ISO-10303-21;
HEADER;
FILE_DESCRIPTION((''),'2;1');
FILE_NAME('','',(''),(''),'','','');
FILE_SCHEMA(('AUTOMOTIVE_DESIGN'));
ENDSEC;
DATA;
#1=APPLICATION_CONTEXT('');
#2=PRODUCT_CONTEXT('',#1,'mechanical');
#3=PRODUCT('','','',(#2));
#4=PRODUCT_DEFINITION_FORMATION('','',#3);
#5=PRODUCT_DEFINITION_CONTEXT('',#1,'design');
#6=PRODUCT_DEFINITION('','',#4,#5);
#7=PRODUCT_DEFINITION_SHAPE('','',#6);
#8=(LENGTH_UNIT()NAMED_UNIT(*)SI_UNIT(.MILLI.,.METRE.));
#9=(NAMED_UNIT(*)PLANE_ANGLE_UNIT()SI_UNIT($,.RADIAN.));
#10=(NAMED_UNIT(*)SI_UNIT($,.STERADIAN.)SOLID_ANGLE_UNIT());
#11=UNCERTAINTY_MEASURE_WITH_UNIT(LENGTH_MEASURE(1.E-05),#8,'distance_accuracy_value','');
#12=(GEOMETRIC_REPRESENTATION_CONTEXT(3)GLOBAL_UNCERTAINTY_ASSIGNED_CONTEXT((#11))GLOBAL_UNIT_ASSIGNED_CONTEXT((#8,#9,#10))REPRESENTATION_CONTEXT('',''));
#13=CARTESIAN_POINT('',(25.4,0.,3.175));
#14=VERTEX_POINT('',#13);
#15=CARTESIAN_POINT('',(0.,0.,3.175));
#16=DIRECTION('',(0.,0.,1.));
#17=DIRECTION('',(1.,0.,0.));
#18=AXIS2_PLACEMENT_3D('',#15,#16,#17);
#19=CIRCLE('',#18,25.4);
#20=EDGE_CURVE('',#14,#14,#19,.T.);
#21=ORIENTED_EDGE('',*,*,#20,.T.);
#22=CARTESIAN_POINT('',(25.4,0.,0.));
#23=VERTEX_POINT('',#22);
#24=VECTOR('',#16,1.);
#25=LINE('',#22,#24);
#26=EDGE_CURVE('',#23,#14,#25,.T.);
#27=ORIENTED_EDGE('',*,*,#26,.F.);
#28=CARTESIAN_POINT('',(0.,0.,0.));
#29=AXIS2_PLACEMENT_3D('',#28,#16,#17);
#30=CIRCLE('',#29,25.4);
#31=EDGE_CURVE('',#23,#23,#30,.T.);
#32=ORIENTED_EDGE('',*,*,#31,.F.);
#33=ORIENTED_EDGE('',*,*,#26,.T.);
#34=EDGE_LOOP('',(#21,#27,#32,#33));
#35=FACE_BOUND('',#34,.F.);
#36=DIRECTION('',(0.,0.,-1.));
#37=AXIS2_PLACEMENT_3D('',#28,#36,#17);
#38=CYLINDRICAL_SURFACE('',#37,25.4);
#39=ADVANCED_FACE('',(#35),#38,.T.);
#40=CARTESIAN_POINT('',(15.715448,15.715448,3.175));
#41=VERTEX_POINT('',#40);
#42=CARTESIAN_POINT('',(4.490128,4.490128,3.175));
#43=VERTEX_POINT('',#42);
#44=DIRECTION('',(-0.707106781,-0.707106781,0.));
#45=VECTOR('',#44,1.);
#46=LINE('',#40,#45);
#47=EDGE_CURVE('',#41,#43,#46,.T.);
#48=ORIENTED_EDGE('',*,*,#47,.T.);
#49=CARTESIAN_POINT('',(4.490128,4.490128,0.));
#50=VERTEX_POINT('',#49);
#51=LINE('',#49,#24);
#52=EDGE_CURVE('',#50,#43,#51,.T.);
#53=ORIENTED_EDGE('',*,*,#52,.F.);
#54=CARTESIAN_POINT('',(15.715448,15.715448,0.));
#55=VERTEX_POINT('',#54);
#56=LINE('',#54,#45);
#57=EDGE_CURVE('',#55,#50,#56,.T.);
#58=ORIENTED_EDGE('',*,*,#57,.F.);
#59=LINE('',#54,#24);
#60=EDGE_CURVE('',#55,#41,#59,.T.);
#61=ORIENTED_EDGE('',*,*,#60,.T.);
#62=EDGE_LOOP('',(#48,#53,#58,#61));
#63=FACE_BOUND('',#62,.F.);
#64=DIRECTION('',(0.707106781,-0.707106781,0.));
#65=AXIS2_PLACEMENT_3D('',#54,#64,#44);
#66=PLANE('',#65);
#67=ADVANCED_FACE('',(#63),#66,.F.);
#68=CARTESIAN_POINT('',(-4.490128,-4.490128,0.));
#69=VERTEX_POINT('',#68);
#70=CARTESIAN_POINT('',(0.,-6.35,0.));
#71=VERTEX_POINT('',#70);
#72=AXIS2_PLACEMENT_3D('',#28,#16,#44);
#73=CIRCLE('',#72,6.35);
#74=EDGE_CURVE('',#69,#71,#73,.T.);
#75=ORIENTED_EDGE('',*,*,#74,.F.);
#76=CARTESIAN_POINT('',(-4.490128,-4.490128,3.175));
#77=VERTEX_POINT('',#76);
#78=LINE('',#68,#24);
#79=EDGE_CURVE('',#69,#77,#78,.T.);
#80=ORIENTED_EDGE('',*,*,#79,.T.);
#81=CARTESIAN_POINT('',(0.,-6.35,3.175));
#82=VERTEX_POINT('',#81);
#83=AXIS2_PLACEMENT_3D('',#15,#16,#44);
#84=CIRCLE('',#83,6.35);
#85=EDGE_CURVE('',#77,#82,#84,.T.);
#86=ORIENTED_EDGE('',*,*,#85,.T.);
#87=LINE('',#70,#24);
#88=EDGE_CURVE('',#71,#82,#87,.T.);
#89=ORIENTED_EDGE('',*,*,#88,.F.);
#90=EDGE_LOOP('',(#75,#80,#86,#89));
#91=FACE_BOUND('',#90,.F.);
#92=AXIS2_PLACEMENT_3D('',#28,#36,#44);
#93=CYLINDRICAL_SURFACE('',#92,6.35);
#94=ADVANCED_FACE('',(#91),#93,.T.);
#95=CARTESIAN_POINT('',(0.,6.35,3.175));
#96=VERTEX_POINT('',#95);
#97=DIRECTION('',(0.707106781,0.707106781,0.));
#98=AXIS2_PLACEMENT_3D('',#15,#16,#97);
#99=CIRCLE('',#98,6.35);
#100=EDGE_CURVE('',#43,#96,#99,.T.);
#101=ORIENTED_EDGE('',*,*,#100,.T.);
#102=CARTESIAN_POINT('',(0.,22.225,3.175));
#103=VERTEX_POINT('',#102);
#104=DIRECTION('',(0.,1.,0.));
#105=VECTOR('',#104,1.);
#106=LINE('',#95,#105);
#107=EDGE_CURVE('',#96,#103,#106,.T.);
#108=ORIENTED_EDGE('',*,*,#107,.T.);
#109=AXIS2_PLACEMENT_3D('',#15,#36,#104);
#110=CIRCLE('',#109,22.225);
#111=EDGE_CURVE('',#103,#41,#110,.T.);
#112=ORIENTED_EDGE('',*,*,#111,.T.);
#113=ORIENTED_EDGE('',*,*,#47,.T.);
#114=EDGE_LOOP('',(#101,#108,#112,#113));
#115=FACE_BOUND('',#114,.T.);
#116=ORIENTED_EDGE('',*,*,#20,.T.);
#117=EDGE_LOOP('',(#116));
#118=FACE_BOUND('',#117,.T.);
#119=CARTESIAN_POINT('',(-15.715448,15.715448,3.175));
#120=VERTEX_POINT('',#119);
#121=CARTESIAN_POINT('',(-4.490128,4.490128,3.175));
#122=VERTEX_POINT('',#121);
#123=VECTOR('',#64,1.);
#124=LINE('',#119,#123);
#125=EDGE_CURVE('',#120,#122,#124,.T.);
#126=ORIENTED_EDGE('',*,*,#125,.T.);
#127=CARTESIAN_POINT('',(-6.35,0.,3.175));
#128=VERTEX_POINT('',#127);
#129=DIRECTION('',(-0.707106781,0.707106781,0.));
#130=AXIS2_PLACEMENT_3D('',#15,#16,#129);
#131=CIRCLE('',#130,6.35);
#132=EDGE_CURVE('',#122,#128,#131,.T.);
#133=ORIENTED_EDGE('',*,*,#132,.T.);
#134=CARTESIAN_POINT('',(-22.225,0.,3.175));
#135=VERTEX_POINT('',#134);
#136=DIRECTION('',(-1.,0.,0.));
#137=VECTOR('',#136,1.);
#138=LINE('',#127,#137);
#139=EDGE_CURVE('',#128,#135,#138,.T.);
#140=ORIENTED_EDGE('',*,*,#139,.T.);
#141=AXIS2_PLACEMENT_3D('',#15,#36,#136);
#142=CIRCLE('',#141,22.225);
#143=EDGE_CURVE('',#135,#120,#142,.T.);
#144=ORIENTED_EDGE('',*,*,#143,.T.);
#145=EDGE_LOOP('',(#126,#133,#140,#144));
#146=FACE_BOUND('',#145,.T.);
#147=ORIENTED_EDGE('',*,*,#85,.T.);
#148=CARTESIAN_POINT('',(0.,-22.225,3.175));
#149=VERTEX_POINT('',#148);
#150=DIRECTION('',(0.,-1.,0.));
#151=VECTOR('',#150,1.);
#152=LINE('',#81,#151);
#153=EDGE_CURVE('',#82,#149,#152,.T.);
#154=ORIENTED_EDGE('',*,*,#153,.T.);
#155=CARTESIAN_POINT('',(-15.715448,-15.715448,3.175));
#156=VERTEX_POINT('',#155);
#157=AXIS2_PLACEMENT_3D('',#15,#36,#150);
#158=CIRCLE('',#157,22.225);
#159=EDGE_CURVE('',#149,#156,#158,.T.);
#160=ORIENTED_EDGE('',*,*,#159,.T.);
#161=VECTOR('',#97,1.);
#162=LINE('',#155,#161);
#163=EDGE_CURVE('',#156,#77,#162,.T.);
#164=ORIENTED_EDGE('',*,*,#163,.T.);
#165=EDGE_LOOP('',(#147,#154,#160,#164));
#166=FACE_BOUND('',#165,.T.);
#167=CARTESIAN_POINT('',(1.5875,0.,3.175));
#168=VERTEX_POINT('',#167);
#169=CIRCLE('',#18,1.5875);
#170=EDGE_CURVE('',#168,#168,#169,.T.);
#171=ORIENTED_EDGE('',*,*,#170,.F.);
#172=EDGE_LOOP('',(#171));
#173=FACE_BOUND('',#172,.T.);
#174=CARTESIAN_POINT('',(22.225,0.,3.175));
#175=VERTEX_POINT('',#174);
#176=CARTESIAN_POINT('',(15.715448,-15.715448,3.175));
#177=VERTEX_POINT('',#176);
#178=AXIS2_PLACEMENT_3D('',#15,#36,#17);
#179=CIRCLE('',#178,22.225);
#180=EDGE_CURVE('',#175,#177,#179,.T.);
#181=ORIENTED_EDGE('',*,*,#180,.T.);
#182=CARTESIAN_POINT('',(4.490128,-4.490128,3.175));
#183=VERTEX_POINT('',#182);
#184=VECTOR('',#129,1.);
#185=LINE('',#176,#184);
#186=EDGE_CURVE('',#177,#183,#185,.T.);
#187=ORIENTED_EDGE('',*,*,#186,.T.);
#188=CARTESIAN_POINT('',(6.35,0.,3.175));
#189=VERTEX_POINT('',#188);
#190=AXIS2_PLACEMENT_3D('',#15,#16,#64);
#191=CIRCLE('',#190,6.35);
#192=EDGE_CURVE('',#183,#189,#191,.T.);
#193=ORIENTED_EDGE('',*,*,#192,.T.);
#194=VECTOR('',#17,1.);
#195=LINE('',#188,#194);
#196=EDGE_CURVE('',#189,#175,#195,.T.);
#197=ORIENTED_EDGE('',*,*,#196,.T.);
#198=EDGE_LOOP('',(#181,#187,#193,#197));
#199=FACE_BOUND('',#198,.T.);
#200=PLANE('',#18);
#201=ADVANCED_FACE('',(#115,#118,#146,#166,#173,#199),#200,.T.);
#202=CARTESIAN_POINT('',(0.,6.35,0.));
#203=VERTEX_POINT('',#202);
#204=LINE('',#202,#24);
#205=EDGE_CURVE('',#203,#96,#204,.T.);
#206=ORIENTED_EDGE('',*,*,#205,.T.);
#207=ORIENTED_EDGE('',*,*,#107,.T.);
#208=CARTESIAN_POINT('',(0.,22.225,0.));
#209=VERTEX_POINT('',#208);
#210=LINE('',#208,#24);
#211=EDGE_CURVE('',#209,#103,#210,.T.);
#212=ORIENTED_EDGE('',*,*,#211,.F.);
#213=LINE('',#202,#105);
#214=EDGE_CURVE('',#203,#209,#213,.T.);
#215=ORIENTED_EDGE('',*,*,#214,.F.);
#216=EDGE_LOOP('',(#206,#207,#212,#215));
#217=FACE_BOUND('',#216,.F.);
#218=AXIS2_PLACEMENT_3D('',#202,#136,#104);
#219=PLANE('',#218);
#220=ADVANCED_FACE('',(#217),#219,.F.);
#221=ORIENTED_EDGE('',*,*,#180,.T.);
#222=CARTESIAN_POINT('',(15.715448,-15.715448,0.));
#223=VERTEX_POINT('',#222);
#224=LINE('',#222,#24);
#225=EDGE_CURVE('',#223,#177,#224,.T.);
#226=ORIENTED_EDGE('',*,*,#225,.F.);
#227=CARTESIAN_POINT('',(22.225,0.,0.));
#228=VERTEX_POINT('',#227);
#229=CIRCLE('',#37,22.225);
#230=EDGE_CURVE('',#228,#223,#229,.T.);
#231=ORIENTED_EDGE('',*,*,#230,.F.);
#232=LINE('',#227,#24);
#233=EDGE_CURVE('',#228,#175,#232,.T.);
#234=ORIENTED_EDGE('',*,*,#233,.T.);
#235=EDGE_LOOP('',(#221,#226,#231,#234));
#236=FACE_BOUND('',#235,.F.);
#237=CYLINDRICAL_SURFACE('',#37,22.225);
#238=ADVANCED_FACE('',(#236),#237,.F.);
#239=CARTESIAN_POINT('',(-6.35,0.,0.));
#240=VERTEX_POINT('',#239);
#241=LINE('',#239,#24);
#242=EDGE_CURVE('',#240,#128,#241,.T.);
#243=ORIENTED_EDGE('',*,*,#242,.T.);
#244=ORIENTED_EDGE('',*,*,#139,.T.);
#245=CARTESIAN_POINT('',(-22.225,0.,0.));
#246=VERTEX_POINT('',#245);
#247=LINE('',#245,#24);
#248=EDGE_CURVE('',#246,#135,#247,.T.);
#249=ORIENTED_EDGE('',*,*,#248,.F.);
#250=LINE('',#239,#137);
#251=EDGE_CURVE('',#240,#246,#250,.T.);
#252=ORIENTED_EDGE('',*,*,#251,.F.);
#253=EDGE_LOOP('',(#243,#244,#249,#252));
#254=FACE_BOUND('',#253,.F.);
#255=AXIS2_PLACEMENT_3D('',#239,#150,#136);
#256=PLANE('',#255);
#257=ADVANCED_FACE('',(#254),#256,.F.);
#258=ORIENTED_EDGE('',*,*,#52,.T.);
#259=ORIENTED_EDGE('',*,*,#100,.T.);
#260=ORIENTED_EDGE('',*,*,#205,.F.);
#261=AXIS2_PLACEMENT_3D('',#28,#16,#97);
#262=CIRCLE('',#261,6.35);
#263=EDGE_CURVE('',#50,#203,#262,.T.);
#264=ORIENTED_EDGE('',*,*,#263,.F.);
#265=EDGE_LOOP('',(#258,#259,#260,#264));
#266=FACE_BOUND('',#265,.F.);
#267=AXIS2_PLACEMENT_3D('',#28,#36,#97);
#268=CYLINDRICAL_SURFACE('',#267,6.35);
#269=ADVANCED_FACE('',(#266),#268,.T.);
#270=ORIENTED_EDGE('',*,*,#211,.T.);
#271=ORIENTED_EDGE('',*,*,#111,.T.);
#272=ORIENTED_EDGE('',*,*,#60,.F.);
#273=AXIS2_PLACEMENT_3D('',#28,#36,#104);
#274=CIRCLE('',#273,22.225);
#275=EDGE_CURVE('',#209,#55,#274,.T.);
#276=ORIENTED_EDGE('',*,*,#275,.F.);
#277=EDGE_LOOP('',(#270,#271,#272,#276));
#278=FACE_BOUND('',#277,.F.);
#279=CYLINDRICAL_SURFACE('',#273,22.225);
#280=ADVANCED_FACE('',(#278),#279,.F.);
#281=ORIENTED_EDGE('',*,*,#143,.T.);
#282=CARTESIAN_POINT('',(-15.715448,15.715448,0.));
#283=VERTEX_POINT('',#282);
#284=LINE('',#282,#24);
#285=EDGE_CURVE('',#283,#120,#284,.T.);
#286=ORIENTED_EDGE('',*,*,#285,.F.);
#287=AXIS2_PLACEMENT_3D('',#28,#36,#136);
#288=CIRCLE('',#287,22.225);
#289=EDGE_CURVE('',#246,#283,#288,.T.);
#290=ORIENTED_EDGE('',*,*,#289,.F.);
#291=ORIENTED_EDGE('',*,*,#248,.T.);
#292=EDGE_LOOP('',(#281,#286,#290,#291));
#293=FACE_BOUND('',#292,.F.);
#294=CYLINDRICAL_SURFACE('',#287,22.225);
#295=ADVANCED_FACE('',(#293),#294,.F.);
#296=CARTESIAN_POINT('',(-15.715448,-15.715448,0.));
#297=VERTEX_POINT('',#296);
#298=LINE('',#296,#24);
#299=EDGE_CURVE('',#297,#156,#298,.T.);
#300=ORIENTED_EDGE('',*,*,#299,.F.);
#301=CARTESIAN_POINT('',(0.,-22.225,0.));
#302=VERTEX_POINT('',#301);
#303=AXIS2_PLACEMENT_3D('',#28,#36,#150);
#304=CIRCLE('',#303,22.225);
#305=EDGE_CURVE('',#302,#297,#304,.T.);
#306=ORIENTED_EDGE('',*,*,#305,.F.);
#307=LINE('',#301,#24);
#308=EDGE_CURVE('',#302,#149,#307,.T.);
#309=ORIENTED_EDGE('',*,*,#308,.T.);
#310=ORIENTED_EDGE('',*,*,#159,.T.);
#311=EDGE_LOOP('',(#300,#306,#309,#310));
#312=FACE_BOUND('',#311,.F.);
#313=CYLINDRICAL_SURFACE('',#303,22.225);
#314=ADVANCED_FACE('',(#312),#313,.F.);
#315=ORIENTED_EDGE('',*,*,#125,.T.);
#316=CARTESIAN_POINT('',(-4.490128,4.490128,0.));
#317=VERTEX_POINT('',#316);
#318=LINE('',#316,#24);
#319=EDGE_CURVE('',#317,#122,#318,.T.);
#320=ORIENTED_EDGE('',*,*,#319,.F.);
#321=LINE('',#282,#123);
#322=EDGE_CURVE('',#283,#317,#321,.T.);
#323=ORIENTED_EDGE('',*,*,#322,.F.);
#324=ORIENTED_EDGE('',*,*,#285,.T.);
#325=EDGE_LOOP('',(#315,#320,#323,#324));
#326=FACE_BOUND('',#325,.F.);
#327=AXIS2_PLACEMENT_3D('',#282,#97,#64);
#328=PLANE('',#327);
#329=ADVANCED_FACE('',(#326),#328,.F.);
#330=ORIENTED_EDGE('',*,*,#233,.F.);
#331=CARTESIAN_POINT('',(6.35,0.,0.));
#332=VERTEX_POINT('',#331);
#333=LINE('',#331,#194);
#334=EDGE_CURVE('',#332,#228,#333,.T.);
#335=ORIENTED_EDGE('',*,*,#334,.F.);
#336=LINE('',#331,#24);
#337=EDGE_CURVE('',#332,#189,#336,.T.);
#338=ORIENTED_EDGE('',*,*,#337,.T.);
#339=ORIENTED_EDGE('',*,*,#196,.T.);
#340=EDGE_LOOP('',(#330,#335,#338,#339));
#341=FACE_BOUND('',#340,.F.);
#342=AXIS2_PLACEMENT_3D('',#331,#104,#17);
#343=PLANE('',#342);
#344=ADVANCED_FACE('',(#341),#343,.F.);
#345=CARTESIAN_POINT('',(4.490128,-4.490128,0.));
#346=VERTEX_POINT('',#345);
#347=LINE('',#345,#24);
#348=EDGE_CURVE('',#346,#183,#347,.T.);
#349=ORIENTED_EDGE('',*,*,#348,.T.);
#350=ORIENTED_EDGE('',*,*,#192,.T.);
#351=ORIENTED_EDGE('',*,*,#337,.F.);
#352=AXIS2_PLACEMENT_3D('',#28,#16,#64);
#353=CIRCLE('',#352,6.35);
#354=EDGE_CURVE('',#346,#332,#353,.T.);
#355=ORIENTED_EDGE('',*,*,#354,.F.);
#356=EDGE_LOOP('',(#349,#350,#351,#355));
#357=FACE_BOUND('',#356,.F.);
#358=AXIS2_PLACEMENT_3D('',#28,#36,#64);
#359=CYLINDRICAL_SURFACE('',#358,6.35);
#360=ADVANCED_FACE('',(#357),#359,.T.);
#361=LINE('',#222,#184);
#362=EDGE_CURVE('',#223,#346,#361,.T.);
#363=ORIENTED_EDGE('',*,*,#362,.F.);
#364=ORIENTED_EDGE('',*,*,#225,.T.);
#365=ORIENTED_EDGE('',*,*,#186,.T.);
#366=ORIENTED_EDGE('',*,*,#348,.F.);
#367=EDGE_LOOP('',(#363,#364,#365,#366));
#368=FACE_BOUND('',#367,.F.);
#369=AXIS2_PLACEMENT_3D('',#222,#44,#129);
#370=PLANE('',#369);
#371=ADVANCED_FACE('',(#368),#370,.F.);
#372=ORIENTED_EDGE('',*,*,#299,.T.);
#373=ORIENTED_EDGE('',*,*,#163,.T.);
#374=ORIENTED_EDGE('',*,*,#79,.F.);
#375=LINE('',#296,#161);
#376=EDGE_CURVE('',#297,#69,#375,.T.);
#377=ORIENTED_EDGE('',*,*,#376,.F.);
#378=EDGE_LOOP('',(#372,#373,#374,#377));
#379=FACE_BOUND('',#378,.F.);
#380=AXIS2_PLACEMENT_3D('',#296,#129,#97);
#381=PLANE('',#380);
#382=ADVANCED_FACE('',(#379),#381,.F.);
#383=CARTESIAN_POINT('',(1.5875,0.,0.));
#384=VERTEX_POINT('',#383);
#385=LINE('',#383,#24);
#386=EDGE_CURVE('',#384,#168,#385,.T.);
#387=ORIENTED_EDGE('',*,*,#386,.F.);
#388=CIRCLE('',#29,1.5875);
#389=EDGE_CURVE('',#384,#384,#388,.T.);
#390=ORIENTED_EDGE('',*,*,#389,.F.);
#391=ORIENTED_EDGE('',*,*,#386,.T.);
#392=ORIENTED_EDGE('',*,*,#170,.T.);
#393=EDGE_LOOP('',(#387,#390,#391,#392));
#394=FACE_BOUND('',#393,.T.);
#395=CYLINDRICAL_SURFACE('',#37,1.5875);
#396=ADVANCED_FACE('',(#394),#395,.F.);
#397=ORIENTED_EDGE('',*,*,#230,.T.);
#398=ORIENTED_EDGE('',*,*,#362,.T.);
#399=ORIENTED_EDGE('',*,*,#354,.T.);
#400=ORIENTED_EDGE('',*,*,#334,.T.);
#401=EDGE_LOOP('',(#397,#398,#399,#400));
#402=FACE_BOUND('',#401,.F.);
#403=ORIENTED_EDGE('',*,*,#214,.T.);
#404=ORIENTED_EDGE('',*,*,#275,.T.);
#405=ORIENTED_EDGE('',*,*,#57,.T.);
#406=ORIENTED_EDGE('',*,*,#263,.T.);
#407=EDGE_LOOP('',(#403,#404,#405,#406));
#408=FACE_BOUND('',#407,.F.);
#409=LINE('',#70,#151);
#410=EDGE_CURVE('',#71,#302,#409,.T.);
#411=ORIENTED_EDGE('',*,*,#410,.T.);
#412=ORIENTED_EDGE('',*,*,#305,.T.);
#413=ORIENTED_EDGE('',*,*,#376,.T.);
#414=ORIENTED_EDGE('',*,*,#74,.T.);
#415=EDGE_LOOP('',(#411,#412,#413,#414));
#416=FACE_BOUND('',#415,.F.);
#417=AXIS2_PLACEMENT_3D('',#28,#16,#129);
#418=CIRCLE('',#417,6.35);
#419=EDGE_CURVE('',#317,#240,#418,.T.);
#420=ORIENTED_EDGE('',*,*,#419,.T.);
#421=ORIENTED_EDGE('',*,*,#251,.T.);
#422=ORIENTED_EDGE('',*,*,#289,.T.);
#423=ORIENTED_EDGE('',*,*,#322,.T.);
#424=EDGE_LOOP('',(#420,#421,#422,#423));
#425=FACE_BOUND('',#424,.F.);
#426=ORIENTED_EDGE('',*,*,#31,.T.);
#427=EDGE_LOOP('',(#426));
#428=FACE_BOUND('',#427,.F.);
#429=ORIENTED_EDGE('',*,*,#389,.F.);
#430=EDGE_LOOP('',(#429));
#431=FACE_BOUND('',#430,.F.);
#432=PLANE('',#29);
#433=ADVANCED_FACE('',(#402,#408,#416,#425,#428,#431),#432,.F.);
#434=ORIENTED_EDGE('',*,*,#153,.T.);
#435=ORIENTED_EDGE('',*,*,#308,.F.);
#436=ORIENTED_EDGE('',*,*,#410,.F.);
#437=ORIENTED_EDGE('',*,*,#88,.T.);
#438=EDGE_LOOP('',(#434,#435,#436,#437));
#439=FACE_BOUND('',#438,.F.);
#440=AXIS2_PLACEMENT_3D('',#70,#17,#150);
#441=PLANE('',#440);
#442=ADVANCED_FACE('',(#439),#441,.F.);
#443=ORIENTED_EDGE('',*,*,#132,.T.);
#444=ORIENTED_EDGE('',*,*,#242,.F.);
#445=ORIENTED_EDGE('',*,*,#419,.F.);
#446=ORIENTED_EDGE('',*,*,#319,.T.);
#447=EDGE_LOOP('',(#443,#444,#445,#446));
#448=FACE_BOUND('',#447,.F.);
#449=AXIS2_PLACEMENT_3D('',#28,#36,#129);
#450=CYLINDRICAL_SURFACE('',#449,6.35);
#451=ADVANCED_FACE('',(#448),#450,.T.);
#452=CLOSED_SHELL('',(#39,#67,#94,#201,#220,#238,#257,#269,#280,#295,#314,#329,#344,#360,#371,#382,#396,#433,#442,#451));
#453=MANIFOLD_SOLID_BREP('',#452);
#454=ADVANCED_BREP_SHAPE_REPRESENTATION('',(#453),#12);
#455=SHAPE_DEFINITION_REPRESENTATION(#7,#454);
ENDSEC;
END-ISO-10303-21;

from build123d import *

# Parameters (mm, degrees)
F0_R     = 25.4
F0_R_2   = 1.5875
F1_DEPTH = 3.175


with BuildPart() as f1:
    # F0 (on Top) → F1 (new body)
    with BuildSketch(Plane.XY):
        Circle(F0_R)
        with BuildLine():
            ThreePointArc((15.7154482119, 15.7154482119), (20.5332226101, 8.5051392843), (22.225, 0))
            ThreePointArc((22.225, 0), (20.5332226101, -8.5051392843), (15.7154482119, -15.7154482119))
            ThreePointArc((15.7154482119, -15.7154482119), (8.5051392843, -20.5332226101), (0, -22.225))
            ThreePointArc((0, -22.225), (-8.5051392843, -20.5332226101), (-15.7154482119, -15.7154482119))
            ThreePointArc((-15.7154482119, -15.7154482119), (-20.5332226101, -8.5051392843), (-22.225, 0))
            ThreePointArc((-22.225, 0), (-20.5332226101, 8.5051392843), (-15.7154482119, 15.7154482119))
            ThreePointArc((-15.7154482119, 15.7154482119), (-8.5051392843, 20.5332226101), (0, 22.225))
            ThreePointArc((0, 22.225), (8.5051392843, 20.5332226101), (15.7154482119, 15.7154482119))
        make_face(mode=Mode.SUBTRACT)
        with BuildLine():
            Line((0, 6.35), (0, 22.225))
            ThreePointArc((0, 22.225), (-8.5051392843, 20.5332226101), (-15.7154482119, 15.7154482119))
            Line((-15.7154482119, 15.7154482119), (-4.4901280605, 4.4901280605))
            ThreePointArc((-4.4901280605, 4.4901280605), (-2.4300397955, 5.8666350314), (0, 6.35))
        make_face()
        with BuildLine():
            Line((6.35, 0), (22.225, 0))
            ThreePointArc((22.225, 0), (20.5332226101, 8.5051392843), (15.7154482119, 15.7154482119))
            Line((15.7154482119, 15.7154482119), (4.4901280605, 4.4901280605))
            ThreePointArc((4.4901280605, 4.4901280605), (5.8666350314, 2.4300397955), (6.35, 0))
        make_face()
        with BuildLine():
            ThreePointArc((0, -22.225), (8.5051392843, -20.5332226101), (15.7154482119, -15.7154482119))
            Line((15.7154482119, -15.7154482119), (4.4901280605, -4.4901280605))
            ThreePointArc((4.4901280605, -4.4901280605), (2.4300397955, -5.8666350314), (0, -6.35))
            Line((0, -6.35), (0, -22.225))
        make_face()
        with BuildLine():
            ThreePointArc((-22.225, 0), (-20.5332226101, -8.5051392843), (-15.7154482119, -15.7154482119))
            Line((-15.7154482119, -15.7154482119), (-4.4901280605, -4.4901280605))
            ThreePointArc((-4.4901280605, -4.4901280605), (-5.8666350314, -2.4300397955), (-6.35, 0))
            Line((-6.35, 0), (-22.225, 0))
        make_face()
        with BuildLine():
            ThreePointArc((4.4901280605, -4.4901280605), (5.8666350314, -2.4300397955), (6.35, 0))
            ThreePointArc((6.35, 0), (5.8666350314, 2.4300397955), (4.4901280605, 4.4901280605))
            ThreePointArc((4.4901280605, 4.4901280605), (2.4300397955, 5.8666350314), (0, 6.35))
            ThreePointArc((0, 6.35), (-2.4300397955, 5.8666350314), (-4.4901280605, 4.4901280605))
            ThreePointArc((-4.4901280605, 4.4901280605), (-5.8666350314, 2.4300397955), (-6.35, 0))
            ThreePointArc((-6.35, 0), (-5.8666350314, -2.4300397955), (-4.4901280605, -4.4901280605))
            ThreePointArc((-4.4901280605, -4.4901280605), (-2.4300397955, -5.8666350314), (0, -6.35))
            ThreePointArc((0, -6.35), (2.4300397955, -5.8666350314), (4.4901280605, -4.4901280605))
        make_face()
        Circle(F0_R_2, mode=Mode.SUBTRACT)
    extrude(amount=F1_DEPTH)


solid = f1.part
